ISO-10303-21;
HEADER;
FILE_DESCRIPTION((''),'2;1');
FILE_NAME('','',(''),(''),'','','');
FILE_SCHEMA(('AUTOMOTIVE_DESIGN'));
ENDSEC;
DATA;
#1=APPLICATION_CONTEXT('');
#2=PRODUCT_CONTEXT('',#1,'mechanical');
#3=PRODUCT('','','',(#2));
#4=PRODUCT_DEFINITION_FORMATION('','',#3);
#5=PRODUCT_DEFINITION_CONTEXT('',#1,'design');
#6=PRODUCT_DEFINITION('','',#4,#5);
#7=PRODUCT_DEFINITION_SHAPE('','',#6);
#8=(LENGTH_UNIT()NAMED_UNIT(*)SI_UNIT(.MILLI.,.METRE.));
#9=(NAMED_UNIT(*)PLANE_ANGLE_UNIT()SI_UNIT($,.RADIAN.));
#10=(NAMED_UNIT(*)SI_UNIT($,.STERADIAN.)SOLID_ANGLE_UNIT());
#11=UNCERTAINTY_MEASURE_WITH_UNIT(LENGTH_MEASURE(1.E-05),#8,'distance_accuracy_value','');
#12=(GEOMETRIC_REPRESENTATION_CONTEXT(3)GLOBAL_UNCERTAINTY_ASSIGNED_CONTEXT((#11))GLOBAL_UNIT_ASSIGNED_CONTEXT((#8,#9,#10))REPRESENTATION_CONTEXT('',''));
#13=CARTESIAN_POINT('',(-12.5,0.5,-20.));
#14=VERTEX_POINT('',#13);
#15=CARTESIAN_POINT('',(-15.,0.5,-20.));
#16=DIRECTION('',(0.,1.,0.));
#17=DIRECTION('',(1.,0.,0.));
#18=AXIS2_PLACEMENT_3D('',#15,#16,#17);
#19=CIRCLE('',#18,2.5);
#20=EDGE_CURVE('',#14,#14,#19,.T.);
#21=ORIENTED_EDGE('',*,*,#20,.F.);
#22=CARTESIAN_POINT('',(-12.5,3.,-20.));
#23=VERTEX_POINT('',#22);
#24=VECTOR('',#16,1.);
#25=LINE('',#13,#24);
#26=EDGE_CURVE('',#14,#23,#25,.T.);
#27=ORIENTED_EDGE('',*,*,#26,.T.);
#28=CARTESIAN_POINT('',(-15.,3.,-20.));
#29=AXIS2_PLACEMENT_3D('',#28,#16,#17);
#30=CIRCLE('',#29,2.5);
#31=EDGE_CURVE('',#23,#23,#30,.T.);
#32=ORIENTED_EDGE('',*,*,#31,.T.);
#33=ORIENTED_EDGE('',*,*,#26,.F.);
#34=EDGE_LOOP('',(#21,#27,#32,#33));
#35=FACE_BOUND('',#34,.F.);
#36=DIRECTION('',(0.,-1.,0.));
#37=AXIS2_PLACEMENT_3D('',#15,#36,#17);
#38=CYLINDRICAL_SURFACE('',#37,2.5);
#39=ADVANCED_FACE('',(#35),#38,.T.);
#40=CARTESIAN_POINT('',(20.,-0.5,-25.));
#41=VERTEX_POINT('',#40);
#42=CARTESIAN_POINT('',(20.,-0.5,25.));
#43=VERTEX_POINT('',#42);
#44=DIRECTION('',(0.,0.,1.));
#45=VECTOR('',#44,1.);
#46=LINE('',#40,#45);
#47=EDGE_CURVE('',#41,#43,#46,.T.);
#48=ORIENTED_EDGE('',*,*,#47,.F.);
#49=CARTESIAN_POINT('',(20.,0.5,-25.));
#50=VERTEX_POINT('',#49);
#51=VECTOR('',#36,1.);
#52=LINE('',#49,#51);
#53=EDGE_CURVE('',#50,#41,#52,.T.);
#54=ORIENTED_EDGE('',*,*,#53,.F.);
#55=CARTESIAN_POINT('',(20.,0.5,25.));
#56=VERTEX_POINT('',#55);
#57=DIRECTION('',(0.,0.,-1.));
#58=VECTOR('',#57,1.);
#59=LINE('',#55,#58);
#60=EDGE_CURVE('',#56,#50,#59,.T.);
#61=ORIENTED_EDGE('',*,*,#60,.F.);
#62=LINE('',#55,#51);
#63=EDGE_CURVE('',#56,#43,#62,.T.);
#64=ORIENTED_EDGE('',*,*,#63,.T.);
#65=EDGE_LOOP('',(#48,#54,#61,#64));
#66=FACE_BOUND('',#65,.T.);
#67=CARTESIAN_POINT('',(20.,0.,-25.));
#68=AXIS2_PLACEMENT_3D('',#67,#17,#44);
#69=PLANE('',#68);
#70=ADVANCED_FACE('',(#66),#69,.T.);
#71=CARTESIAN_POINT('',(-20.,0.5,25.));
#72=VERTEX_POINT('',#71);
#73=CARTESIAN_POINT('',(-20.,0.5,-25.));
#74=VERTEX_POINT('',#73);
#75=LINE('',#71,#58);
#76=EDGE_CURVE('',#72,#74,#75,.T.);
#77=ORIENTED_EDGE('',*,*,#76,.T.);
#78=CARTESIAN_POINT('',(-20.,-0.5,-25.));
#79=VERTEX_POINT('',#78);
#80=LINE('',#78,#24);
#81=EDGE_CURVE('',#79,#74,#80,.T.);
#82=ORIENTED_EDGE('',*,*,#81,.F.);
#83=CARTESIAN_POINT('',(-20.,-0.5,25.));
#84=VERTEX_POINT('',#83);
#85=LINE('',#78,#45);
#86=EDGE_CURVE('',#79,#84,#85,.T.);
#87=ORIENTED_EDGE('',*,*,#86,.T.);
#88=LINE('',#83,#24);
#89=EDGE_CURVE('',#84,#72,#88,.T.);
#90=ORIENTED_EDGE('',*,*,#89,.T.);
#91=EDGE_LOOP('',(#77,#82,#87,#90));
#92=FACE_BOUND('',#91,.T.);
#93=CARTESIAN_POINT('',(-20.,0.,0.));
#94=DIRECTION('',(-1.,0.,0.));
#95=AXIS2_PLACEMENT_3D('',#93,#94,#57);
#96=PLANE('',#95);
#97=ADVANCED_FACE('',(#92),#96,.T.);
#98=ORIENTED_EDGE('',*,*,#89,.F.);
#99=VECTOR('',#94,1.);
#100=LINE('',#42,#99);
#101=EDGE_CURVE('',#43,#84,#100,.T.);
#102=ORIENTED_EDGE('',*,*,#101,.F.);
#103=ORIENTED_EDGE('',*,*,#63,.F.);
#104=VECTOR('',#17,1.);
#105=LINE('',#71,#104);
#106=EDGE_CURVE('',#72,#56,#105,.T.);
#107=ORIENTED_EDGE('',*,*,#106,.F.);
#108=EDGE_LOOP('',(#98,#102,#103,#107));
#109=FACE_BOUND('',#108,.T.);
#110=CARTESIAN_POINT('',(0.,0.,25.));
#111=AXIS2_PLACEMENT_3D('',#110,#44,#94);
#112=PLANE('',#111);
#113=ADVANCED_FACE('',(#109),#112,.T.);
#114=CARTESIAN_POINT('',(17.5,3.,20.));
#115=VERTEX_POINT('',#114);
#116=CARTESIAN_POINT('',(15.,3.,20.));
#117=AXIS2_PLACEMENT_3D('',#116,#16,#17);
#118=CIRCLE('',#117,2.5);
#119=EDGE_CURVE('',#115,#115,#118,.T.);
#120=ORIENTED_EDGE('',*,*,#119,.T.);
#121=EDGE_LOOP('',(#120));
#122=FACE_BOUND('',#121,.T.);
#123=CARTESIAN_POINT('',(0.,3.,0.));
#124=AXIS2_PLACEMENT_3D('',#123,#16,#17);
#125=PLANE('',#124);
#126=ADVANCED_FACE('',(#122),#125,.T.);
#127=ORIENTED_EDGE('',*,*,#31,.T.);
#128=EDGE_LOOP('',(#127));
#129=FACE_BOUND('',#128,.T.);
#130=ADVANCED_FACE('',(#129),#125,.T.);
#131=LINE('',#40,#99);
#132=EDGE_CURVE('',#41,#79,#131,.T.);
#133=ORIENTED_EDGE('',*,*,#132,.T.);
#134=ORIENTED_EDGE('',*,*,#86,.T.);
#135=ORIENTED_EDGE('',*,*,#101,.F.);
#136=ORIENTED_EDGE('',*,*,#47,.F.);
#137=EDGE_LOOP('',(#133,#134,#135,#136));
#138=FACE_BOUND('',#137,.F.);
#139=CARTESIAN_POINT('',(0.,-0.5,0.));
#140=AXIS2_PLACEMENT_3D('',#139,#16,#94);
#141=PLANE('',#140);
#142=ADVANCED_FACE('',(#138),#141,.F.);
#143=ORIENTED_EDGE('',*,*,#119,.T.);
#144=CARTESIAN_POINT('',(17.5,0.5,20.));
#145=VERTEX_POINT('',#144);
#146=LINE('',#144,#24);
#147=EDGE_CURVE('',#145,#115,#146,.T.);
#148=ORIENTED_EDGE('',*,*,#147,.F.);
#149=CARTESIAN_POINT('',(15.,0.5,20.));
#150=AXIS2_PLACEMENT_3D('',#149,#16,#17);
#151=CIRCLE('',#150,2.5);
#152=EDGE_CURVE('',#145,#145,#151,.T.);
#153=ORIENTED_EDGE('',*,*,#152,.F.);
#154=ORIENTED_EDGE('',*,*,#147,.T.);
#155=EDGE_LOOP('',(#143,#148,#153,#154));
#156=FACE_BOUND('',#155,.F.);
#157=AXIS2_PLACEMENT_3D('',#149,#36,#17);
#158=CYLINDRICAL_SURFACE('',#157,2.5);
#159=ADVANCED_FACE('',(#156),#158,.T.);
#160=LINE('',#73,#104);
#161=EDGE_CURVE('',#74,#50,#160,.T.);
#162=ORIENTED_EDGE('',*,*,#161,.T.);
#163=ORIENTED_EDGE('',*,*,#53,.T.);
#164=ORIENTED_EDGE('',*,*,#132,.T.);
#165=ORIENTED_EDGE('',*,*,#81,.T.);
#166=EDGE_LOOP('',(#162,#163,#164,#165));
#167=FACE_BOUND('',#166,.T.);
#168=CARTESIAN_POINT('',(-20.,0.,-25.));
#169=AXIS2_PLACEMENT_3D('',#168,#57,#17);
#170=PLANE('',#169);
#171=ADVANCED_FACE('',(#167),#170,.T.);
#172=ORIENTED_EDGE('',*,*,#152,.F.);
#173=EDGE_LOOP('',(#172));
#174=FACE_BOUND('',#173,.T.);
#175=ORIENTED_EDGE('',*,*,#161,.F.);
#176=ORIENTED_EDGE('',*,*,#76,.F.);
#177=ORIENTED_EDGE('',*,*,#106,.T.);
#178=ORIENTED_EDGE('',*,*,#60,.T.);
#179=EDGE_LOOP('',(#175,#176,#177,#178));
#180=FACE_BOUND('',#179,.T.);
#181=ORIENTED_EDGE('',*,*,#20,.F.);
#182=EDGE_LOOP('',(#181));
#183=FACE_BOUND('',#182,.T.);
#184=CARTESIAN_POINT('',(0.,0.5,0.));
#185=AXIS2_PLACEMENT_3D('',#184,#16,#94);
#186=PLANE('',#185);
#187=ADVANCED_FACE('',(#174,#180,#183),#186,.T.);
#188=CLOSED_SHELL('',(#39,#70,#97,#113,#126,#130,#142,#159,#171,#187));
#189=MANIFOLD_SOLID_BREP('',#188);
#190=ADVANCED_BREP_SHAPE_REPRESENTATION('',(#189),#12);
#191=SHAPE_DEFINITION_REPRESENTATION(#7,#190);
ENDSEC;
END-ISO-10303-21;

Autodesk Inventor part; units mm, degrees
sketch "Sketch1" plane through (0, 0, 0) normal (0, 1, 0) x (-1, 0, 0)
  line L0 (20, -25) -> (-20, -25)
  line L1 (-20, -25) -> (-20, 25)
  line L2 (-20, 25) -> (20, 25)
  line L3 (20, 25) -> (20, -25)
  line L4 (0, -34.825) -> (0, 34.825) projected
  line L5 (-28, 0) -> (28, 0) projected
  point P0 (0, 0)
  point P1 (0, -25)
  point P2 (20, 0)
  dimension "d0" = 40
  dimension "d1" = 50
extrude "Extrusion1" add sketch "Sketch1" along normal mid plane 1
sketch "Sketch2" plane through (0, 0.5, 0) normal (0, 1, 0) x (1, 0, 0)
  circle A0 centre (-15, 20) radius 2.5
  line L0 (20, 25) -> (-20, 25) projected
  line L1 (-20, 25) -> (-20, -25) projected
  circle A1 centre (15, -20) radius 2.5
  point P0 (0, 0)
  dimension "d4" = 5
  dimension "d5" = 5
  dimension "d6" = 5
  dimension "d9" = 360
extrude "Extrusion2" add sketch "Sketch2" along normal blind 2.5
properties part number "Tile_Cover"
